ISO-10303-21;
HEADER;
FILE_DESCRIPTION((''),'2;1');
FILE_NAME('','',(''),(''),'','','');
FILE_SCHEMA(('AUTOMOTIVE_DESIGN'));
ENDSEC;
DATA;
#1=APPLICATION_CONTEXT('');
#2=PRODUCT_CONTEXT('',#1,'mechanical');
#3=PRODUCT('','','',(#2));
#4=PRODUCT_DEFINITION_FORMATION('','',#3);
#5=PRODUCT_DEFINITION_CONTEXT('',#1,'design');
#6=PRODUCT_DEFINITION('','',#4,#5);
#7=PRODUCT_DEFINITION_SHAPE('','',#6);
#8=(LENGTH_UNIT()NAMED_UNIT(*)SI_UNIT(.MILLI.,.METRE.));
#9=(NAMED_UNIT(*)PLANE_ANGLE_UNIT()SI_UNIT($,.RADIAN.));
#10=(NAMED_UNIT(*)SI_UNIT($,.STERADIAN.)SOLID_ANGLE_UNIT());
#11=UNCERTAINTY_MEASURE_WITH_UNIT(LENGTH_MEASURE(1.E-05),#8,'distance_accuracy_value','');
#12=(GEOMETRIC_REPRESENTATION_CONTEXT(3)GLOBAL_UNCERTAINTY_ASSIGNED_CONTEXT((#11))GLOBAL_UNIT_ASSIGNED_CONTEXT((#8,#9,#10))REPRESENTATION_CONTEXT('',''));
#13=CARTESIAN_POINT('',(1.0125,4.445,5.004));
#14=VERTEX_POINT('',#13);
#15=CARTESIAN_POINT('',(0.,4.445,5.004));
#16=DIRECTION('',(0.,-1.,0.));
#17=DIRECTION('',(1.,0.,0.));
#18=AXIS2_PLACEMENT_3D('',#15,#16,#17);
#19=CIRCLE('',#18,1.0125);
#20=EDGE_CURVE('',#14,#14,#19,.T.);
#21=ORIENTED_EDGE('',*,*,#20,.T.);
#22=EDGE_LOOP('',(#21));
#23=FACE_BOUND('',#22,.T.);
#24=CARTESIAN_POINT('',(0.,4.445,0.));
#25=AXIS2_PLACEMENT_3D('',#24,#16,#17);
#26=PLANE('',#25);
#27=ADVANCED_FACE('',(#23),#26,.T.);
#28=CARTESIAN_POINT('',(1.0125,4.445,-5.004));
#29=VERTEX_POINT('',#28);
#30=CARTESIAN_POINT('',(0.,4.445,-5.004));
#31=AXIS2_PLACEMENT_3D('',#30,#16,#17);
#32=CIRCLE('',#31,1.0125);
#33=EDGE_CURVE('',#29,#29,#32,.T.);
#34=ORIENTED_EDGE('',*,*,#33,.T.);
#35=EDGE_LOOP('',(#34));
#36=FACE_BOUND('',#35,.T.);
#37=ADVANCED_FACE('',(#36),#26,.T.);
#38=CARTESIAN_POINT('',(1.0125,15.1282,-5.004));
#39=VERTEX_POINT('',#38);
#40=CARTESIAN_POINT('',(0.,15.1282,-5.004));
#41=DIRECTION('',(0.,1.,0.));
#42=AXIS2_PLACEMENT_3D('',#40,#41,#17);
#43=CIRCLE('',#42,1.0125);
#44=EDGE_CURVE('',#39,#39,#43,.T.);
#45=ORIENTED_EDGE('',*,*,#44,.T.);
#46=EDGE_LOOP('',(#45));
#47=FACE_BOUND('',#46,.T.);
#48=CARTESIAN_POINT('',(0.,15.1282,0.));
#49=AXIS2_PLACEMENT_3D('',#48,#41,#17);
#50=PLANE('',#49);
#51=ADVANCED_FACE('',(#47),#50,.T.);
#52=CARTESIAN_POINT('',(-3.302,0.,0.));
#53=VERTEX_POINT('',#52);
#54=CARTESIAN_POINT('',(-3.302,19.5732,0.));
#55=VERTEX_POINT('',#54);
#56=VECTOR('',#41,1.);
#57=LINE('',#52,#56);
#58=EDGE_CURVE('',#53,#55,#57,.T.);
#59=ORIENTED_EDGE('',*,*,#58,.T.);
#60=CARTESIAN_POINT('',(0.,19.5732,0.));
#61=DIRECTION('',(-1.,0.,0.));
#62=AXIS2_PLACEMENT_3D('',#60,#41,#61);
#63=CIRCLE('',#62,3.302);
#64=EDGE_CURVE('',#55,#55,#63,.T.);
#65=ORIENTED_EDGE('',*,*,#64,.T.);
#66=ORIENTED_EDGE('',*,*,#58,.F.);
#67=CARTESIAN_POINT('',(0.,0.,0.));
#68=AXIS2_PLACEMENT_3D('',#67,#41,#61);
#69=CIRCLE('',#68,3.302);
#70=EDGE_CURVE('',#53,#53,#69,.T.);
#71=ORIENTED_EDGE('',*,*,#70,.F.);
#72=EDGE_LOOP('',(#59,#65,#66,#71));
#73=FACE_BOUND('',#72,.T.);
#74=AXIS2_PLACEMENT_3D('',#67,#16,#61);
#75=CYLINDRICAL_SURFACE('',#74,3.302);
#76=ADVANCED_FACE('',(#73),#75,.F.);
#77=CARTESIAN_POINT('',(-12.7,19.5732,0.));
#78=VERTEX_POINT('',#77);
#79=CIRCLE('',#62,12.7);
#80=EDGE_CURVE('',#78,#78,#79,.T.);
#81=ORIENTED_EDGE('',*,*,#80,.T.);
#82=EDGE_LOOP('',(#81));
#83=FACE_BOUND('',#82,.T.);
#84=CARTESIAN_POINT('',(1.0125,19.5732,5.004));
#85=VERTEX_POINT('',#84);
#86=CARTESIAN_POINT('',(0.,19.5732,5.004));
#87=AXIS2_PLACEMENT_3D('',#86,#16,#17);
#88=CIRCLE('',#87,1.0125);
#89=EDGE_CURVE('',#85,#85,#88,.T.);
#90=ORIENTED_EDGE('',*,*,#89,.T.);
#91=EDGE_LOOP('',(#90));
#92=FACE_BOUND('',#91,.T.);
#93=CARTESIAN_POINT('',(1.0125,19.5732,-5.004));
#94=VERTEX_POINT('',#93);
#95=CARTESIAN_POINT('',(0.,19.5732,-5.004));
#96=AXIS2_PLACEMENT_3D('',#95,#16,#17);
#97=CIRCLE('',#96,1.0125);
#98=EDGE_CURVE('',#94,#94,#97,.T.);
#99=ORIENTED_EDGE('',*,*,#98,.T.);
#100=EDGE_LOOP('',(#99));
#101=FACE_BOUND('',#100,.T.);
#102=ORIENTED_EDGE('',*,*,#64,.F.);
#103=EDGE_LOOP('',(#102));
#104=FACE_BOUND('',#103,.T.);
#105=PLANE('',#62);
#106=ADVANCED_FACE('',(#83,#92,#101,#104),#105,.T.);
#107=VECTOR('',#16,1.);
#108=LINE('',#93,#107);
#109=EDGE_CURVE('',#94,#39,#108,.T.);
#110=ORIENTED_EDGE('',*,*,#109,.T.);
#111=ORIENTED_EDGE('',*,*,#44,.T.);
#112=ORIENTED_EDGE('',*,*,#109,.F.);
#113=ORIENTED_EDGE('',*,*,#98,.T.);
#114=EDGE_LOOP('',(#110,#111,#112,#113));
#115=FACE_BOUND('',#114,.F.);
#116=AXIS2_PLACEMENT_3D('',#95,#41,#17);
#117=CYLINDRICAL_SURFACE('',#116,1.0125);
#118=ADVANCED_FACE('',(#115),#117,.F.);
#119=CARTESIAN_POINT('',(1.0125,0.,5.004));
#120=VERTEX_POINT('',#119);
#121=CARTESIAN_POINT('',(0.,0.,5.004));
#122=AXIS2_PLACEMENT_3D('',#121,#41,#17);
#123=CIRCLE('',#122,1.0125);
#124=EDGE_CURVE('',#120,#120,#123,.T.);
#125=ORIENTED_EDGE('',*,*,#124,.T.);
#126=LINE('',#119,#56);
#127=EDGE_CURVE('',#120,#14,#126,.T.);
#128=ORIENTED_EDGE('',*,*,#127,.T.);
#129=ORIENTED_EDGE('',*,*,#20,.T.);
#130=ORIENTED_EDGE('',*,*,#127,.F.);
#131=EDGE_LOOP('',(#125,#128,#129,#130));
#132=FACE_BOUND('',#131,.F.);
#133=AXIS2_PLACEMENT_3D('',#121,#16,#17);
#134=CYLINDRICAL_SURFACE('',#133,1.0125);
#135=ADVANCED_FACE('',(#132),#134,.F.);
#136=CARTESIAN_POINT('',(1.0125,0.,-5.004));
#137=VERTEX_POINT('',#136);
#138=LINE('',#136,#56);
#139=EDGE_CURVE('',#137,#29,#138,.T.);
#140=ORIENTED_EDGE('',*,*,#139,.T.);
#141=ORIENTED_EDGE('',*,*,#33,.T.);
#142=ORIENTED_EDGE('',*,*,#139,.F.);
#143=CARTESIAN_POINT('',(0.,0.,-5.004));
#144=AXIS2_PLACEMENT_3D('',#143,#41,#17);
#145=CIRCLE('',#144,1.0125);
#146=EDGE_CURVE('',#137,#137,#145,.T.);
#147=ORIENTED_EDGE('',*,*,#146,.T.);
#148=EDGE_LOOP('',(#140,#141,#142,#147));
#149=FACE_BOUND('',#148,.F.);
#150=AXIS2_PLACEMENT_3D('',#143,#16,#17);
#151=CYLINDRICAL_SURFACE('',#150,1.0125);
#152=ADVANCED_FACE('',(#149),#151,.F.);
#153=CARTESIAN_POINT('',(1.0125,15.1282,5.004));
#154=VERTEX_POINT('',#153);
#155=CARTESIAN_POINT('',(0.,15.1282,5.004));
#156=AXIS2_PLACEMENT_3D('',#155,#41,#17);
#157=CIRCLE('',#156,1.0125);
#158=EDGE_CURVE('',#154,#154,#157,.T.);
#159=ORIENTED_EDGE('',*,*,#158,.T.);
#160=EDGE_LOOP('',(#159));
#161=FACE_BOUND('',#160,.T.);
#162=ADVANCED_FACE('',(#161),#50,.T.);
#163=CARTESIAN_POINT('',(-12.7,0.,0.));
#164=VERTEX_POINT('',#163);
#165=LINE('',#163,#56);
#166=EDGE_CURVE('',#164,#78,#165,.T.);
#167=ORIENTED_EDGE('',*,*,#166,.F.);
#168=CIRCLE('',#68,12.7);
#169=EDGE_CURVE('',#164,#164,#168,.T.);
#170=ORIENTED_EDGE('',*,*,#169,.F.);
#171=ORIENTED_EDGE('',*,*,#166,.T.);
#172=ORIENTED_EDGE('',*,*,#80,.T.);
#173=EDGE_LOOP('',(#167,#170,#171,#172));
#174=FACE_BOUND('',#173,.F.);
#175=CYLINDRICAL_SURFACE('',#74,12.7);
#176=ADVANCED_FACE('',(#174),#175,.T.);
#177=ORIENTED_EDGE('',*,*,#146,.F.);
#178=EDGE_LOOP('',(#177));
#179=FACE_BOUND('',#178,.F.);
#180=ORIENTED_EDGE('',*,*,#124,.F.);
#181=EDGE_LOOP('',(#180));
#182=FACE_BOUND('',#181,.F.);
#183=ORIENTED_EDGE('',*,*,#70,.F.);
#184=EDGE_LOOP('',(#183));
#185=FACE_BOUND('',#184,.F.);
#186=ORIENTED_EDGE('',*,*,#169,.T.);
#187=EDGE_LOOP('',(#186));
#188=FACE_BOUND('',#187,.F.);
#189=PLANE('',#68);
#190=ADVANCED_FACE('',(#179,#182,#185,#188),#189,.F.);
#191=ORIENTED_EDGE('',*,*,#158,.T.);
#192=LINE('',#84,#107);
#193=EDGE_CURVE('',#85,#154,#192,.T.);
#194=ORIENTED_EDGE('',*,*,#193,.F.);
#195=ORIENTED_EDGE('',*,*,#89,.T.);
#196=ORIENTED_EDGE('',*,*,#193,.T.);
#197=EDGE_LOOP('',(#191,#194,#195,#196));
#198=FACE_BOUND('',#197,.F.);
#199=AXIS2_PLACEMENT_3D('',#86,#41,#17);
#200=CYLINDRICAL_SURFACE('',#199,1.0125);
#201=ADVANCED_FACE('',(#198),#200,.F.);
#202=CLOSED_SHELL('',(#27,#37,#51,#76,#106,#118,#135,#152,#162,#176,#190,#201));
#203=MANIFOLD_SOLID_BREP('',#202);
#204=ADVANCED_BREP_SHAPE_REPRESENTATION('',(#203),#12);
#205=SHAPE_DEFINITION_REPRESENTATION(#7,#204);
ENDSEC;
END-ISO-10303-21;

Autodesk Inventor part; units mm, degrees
ref_plane "YZ Plane" through (0, 0, 0) normal (1, 0, 0) x (0, 1, 0)
ref_plane "XZ Plane" through (0, 0, 0) normal (0, 1, 0) x (-1, 0, 0)
ref_plane "XY Plane" through (0, 0, 0) normal (0, 0, 1) x (1, 0, 0)
sketch "Sketch1" plane through (0, 0, 0) normal (0, 1, 0) x (-1, 0, 0)
  circle A0 centre (0, 0) radius 12.7
  circle A1 centre (0, 0) radius 3.302
  dimension "d0" = 25.4
  dimension "d1" = 6.604
extrude "Extrusion1" add sketch "Sketch1" along normal blind 19.5732
sketch "Sketch2" plane through (0, 19.5732, 0) normal (0, 1, 0) x (1, 0, 0)
  line L0 (0, 0) -> (0, -5.004)
  line L1 (0, -5.004) -> (0, 0)
  line L2 (0, 0) -> (0, 5.004)
  circle A0 centre (0, -5.004) radius 1.0125
  circle A1 centre (0, 5.004) radius 1.0125
  dimension "d4" = 5.004
  dimension "d5" = 5.004
  dimension "d6" = 2.025
  dimension "d7" = 2.025
extrude "Extrusion2" cut sketch "Sketch2" against normal blind 4.445
sketch "Sketch3" plane through (0, 0, 0) normal (0, -1, 0) x (1, 0, 0)
  line L0 (0, 0) -> (0, 5.004)
  circle A0 centre (0, 5.004) radius 1.0125
  line L1 (0, 0) -> (0, -5.004)
  circle A1 centre (0, -5.004) radius 1.0125
  dimension "d10" = 5.004
  dimension "d15" = 2.025
  dimension "d16" = 5.004
  dimension "d17" = 2.025
extrude "Extrusion3" cut sketch "Sketch3" against normal blind 4.445
properties part number "PolarisPost_HeightAdjustment_0p77in_ForK1S4Mirrors_Machined"
